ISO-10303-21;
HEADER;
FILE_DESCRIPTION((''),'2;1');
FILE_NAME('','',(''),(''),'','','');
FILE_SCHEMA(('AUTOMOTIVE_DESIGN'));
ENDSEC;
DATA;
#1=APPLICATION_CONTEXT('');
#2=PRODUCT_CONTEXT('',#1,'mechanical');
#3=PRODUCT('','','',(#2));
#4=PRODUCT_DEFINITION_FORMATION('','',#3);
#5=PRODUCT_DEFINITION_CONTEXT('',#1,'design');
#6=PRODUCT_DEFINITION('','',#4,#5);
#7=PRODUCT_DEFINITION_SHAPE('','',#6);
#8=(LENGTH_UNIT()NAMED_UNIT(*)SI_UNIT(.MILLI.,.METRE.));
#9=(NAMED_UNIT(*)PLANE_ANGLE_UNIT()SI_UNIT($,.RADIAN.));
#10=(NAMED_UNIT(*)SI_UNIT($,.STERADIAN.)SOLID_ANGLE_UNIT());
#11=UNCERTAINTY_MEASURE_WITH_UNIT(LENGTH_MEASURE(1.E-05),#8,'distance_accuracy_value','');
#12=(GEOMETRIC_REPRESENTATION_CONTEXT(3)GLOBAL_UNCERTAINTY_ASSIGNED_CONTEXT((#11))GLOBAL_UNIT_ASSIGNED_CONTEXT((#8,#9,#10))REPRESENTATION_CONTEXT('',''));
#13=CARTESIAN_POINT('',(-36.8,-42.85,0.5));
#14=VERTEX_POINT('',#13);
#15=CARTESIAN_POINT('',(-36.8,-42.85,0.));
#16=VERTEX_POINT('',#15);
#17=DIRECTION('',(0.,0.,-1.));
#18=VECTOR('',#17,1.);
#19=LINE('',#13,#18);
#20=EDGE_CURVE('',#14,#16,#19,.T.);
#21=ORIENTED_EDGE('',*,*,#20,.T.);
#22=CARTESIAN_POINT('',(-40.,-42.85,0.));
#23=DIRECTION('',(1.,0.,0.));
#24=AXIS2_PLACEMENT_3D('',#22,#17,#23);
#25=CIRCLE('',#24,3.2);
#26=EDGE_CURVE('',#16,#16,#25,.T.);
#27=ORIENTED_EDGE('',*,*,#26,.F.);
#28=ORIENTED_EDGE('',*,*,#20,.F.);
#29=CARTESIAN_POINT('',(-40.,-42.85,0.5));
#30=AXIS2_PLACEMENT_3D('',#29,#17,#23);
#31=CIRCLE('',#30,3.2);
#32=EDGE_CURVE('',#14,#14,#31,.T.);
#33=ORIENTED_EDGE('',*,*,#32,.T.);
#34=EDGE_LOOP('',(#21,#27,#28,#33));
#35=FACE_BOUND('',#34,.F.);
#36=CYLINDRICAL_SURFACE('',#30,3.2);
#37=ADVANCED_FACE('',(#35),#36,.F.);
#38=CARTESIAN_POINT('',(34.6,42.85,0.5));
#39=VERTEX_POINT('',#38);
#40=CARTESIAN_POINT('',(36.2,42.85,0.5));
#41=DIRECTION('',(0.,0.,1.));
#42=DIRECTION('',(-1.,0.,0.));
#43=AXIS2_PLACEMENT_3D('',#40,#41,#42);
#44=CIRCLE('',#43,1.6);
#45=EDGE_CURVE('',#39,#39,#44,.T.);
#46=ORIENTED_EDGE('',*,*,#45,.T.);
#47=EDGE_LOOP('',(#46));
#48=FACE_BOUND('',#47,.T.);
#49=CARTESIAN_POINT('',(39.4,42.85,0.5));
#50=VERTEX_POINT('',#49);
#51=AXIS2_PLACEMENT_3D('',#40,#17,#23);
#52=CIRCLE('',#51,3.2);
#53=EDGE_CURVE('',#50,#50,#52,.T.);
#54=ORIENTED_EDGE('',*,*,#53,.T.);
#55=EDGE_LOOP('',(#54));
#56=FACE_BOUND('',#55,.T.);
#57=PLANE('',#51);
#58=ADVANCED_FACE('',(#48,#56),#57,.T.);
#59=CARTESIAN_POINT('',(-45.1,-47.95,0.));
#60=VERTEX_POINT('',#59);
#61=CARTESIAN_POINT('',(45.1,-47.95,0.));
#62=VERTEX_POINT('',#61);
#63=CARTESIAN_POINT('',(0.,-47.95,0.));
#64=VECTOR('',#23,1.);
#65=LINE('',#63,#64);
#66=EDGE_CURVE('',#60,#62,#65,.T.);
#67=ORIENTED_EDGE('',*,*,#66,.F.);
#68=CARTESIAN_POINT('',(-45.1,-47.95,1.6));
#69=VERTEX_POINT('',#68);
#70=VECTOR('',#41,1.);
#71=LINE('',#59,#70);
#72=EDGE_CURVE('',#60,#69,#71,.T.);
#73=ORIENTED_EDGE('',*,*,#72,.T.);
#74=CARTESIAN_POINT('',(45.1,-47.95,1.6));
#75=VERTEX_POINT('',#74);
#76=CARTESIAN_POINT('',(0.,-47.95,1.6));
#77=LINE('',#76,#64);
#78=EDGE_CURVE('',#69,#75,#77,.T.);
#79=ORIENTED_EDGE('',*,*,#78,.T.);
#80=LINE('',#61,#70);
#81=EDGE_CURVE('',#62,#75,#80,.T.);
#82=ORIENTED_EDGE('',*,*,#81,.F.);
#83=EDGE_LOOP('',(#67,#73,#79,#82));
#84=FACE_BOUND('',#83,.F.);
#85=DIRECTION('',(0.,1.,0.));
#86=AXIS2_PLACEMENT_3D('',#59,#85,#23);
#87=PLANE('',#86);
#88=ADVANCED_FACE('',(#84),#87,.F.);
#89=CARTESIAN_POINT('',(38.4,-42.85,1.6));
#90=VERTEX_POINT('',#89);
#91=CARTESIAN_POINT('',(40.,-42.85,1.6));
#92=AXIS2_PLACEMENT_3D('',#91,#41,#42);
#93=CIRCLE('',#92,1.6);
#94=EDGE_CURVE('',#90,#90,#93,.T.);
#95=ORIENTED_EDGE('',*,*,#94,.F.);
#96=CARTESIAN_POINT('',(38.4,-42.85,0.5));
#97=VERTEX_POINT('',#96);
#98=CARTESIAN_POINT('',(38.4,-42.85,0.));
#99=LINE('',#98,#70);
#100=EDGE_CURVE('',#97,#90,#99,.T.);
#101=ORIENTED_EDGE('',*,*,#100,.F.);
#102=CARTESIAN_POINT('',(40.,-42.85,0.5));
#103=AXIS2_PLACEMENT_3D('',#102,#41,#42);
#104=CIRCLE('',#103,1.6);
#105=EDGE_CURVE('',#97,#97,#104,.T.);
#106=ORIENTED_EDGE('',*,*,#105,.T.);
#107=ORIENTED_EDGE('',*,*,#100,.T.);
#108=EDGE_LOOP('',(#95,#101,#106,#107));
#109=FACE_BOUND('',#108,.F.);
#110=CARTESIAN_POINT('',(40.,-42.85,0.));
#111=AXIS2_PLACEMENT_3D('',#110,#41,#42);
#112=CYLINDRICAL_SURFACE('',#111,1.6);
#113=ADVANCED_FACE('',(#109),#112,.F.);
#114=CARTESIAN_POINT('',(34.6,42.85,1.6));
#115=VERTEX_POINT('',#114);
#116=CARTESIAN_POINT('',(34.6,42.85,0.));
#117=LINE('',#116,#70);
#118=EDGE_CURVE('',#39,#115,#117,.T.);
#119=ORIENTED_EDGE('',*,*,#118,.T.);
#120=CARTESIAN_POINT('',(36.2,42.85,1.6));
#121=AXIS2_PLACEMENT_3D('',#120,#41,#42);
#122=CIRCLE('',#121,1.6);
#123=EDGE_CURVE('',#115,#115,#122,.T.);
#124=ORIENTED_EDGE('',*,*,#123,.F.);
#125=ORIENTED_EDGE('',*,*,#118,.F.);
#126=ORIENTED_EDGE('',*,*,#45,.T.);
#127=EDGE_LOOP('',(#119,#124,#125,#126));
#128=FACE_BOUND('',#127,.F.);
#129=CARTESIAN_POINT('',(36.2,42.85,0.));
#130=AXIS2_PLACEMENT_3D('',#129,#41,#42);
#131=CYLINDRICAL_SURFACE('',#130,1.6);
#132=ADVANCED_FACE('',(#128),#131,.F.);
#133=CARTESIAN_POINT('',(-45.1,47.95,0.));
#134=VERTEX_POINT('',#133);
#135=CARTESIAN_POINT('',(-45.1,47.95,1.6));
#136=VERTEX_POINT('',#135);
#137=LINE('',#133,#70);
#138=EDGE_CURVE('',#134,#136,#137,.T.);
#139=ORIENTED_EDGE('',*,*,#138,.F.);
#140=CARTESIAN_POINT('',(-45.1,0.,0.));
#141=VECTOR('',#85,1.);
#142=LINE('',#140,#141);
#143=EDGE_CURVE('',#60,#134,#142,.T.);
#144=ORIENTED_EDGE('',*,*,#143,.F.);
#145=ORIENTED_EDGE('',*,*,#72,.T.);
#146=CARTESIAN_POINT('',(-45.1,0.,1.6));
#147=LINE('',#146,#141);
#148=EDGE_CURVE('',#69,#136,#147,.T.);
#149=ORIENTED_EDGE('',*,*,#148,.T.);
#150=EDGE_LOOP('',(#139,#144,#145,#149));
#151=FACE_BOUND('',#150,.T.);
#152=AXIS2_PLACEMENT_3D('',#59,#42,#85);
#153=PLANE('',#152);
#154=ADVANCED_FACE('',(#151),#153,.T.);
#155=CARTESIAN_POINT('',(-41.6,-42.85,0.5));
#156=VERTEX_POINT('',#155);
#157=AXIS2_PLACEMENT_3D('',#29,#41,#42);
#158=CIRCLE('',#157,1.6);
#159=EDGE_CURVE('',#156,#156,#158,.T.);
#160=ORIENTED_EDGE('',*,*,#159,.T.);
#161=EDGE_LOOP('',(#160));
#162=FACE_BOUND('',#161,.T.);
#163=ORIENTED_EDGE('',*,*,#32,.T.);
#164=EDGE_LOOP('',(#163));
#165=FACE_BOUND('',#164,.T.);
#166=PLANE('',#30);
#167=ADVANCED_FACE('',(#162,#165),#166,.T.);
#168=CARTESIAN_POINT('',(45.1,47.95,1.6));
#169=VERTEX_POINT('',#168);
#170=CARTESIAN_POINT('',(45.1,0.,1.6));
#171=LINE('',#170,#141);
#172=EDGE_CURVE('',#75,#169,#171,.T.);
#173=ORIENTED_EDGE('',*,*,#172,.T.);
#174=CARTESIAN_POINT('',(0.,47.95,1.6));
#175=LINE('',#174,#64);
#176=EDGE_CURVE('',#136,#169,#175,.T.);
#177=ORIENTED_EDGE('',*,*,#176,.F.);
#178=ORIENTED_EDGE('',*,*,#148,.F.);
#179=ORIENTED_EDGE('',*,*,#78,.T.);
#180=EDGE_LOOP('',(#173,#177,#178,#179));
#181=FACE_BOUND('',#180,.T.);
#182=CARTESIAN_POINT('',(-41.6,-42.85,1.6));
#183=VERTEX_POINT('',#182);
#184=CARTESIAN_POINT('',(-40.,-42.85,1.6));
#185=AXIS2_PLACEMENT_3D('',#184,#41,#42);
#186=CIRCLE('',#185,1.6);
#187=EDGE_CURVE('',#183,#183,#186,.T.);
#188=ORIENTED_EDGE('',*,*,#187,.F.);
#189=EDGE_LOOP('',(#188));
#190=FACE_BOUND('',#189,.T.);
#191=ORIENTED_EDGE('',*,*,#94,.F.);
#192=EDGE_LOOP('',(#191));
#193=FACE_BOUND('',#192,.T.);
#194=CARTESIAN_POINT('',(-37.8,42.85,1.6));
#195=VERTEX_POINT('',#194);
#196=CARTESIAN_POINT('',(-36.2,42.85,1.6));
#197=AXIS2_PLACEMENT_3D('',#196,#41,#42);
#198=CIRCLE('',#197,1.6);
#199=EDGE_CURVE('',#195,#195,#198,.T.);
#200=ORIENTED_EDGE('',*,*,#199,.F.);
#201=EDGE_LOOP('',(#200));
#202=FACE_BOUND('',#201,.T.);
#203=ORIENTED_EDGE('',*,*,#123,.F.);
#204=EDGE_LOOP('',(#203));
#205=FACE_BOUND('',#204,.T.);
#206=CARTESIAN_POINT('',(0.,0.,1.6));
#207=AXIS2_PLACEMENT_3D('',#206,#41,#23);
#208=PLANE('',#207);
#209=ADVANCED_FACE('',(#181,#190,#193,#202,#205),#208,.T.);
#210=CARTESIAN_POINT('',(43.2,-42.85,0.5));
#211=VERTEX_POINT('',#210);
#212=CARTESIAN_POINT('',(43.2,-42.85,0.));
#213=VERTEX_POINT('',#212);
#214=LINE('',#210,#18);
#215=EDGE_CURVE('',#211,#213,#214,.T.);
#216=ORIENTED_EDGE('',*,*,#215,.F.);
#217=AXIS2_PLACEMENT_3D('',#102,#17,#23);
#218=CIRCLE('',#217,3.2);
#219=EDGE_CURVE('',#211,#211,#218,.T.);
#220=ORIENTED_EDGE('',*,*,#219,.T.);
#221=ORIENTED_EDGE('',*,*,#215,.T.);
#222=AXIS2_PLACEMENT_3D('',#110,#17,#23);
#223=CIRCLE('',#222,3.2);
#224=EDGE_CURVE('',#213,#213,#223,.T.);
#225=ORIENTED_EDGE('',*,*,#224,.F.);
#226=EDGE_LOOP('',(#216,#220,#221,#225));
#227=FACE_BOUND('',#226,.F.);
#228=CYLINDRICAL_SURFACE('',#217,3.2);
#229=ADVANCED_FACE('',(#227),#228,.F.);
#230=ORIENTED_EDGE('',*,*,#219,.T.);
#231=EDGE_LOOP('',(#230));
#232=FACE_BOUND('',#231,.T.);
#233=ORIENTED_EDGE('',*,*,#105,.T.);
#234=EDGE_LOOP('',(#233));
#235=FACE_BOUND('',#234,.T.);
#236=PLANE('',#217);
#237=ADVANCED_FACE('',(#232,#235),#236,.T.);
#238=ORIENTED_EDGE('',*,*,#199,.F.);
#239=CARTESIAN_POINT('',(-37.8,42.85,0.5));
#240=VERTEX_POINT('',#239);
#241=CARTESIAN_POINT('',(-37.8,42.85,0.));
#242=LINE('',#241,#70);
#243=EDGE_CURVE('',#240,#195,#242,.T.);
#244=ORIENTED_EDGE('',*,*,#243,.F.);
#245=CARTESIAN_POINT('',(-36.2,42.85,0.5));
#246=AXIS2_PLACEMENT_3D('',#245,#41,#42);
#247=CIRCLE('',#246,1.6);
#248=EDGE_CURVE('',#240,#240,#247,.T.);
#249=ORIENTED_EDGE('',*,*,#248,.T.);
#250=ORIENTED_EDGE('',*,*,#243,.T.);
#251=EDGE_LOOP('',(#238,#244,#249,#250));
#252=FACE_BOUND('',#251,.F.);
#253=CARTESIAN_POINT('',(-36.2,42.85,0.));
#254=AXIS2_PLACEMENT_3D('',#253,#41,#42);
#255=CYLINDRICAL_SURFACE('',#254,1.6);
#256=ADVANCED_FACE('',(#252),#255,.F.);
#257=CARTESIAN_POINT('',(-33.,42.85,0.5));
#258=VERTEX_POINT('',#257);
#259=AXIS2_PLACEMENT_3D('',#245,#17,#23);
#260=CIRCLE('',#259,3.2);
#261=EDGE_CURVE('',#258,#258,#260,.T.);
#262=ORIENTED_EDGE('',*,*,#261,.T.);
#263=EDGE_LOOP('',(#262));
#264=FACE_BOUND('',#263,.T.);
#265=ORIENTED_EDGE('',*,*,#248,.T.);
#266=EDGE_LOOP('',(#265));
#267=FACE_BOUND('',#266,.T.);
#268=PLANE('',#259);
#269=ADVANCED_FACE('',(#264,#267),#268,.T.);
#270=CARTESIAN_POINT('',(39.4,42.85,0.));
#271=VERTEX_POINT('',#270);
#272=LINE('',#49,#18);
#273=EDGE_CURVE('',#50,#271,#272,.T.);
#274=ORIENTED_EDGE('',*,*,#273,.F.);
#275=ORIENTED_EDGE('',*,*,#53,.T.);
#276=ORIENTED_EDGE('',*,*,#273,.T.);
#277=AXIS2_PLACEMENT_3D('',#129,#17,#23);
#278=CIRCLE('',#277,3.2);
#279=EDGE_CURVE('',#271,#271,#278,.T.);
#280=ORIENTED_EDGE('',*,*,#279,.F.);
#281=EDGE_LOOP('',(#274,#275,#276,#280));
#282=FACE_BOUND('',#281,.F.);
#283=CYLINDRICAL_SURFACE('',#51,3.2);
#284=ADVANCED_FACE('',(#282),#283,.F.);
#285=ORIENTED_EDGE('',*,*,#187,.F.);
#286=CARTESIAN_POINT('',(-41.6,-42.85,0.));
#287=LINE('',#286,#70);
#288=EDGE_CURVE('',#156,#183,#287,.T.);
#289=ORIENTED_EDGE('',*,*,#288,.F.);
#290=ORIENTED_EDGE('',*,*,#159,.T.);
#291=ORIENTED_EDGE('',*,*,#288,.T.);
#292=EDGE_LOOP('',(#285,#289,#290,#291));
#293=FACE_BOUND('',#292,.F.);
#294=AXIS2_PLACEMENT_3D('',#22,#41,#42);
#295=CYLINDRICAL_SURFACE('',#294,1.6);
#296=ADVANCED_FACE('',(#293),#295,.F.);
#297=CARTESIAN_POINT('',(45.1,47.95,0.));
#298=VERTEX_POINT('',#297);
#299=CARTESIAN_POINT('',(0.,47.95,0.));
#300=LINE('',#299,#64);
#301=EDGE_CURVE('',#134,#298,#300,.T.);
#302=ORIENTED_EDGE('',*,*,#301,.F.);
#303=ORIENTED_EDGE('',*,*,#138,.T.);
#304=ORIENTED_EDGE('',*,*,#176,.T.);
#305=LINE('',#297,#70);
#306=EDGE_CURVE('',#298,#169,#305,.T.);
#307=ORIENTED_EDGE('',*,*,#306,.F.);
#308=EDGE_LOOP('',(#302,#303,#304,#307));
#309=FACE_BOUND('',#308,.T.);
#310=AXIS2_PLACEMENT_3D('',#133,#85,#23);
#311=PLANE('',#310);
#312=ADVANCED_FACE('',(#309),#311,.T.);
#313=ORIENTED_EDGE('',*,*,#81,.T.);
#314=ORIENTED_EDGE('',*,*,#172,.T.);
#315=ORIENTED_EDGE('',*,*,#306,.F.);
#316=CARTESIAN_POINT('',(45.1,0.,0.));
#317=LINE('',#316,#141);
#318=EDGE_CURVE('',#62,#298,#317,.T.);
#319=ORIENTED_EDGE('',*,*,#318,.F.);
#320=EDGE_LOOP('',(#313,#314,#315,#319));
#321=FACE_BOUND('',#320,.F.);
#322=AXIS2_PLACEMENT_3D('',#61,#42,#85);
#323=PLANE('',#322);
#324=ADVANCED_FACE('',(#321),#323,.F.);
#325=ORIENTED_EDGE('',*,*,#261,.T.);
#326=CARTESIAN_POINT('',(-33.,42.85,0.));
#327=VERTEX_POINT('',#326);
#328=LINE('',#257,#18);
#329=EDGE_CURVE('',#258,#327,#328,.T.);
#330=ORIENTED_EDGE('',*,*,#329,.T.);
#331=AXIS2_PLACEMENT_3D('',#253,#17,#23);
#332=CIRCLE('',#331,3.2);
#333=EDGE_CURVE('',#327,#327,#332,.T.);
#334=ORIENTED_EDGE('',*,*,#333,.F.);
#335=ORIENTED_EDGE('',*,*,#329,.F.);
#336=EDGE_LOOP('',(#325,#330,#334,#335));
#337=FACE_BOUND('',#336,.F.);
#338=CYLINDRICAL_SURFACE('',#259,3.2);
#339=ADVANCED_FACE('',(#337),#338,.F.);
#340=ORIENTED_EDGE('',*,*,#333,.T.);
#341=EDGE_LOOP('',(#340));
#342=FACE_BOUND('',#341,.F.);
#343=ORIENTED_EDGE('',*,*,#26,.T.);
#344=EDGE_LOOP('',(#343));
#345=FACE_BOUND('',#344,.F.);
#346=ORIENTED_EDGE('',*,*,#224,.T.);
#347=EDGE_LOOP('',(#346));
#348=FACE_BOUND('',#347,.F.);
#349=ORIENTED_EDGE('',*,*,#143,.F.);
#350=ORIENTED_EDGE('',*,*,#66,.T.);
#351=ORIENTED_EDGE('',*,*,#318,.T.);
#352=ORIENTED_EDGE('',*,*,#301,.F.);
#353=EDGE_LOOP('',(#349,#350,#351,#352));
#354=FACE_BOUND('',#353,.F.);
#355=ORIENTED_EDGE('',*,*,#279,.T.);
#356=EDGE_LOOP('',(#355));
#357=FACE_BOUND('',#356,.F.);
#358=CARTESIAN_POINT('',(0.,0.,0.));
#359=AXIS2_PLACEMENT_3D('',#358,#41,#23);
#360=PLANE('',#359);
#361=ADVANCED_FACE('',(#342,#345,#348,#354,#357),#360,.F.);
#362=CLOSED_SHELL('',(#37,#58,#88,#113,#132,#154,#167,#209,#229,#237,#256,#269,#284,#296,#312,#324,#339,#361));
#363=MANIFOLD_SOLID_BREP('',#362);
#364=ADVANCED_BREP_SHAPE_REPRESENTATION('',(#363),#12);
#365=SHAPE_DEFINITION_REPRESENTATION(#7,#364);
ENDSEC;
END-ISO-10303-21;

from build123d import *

# Parameters (mm, degrees)
F0_W           = 90.2
F0_H           = 95.9
F1_DEPTH       = 1.6
F2_D           = 3.2
F2_CBORE_D     = 6.4
F2_CBORE_DEPTH = 0.5
F3_D           = 3.2
F3_CBORE_D     = 6.4
F3_CBORE_DEPTH = 0.5
F4_D           = 3.2
F4_CBORE_D     = 6.4
F4_CBORE_DEPTH = 0.5
F5_D           = 3.2
F5_CBORE_D     = 6.4
F5_CBORE_DEPTH = 0.5


with BuildPart() as f1:
    # F0 (on Top) → F1 (new body)
    with BuildSketch(Plane.XY):
        Rectangle(F0_W, F0_H)
    extrude(amount=F1_DEPTH)

    # F2 (through all)
    with Locations(Plane(origin=(0, 0, 0), x_dir=(1, 0, 0), z_dir=(0, 0, -1))):
        with Locations((-36.2, -42.85)):
            CounterBoreHole(F2_D / 2, F2_CBORE_D / 2, F2_CBORE_DEPTH)

    # F3 (through all)
    with Locations(Plane(origin=(0, 0, 0), x_dir=(1, 0, 0), z_dir=(0, 0, -1))):
        with Locations((-40, 42.85)):
            CounterBoreHole(F3_D / 2, F3_CBORE_D / 2, F3_CBORE_DEPTH)

    # F4 (through all)
    with Locations(Plane(origin=(0, 0, 0), x_dir=(1, 0, 0), z_dir=(0, 0, -1))):
        with Locations((36.2, -42.85)):
            CounterBoreHole(F4_D / 2, F4_CBORE_D / 2, F4_CBORE_DEPTH)

    # F5 (through all)
    with Locations(Plane(origin=(0, 0, 0), x_dir=(1, 0, 0), z_dir=(0, 0, -1))):
        with Locations((40, 42.85)):
            CounterBoreHole(F5_D / 2, F5_CBORE_D / 2, F5_CBORE_DEPTH)


solid = f1.part
